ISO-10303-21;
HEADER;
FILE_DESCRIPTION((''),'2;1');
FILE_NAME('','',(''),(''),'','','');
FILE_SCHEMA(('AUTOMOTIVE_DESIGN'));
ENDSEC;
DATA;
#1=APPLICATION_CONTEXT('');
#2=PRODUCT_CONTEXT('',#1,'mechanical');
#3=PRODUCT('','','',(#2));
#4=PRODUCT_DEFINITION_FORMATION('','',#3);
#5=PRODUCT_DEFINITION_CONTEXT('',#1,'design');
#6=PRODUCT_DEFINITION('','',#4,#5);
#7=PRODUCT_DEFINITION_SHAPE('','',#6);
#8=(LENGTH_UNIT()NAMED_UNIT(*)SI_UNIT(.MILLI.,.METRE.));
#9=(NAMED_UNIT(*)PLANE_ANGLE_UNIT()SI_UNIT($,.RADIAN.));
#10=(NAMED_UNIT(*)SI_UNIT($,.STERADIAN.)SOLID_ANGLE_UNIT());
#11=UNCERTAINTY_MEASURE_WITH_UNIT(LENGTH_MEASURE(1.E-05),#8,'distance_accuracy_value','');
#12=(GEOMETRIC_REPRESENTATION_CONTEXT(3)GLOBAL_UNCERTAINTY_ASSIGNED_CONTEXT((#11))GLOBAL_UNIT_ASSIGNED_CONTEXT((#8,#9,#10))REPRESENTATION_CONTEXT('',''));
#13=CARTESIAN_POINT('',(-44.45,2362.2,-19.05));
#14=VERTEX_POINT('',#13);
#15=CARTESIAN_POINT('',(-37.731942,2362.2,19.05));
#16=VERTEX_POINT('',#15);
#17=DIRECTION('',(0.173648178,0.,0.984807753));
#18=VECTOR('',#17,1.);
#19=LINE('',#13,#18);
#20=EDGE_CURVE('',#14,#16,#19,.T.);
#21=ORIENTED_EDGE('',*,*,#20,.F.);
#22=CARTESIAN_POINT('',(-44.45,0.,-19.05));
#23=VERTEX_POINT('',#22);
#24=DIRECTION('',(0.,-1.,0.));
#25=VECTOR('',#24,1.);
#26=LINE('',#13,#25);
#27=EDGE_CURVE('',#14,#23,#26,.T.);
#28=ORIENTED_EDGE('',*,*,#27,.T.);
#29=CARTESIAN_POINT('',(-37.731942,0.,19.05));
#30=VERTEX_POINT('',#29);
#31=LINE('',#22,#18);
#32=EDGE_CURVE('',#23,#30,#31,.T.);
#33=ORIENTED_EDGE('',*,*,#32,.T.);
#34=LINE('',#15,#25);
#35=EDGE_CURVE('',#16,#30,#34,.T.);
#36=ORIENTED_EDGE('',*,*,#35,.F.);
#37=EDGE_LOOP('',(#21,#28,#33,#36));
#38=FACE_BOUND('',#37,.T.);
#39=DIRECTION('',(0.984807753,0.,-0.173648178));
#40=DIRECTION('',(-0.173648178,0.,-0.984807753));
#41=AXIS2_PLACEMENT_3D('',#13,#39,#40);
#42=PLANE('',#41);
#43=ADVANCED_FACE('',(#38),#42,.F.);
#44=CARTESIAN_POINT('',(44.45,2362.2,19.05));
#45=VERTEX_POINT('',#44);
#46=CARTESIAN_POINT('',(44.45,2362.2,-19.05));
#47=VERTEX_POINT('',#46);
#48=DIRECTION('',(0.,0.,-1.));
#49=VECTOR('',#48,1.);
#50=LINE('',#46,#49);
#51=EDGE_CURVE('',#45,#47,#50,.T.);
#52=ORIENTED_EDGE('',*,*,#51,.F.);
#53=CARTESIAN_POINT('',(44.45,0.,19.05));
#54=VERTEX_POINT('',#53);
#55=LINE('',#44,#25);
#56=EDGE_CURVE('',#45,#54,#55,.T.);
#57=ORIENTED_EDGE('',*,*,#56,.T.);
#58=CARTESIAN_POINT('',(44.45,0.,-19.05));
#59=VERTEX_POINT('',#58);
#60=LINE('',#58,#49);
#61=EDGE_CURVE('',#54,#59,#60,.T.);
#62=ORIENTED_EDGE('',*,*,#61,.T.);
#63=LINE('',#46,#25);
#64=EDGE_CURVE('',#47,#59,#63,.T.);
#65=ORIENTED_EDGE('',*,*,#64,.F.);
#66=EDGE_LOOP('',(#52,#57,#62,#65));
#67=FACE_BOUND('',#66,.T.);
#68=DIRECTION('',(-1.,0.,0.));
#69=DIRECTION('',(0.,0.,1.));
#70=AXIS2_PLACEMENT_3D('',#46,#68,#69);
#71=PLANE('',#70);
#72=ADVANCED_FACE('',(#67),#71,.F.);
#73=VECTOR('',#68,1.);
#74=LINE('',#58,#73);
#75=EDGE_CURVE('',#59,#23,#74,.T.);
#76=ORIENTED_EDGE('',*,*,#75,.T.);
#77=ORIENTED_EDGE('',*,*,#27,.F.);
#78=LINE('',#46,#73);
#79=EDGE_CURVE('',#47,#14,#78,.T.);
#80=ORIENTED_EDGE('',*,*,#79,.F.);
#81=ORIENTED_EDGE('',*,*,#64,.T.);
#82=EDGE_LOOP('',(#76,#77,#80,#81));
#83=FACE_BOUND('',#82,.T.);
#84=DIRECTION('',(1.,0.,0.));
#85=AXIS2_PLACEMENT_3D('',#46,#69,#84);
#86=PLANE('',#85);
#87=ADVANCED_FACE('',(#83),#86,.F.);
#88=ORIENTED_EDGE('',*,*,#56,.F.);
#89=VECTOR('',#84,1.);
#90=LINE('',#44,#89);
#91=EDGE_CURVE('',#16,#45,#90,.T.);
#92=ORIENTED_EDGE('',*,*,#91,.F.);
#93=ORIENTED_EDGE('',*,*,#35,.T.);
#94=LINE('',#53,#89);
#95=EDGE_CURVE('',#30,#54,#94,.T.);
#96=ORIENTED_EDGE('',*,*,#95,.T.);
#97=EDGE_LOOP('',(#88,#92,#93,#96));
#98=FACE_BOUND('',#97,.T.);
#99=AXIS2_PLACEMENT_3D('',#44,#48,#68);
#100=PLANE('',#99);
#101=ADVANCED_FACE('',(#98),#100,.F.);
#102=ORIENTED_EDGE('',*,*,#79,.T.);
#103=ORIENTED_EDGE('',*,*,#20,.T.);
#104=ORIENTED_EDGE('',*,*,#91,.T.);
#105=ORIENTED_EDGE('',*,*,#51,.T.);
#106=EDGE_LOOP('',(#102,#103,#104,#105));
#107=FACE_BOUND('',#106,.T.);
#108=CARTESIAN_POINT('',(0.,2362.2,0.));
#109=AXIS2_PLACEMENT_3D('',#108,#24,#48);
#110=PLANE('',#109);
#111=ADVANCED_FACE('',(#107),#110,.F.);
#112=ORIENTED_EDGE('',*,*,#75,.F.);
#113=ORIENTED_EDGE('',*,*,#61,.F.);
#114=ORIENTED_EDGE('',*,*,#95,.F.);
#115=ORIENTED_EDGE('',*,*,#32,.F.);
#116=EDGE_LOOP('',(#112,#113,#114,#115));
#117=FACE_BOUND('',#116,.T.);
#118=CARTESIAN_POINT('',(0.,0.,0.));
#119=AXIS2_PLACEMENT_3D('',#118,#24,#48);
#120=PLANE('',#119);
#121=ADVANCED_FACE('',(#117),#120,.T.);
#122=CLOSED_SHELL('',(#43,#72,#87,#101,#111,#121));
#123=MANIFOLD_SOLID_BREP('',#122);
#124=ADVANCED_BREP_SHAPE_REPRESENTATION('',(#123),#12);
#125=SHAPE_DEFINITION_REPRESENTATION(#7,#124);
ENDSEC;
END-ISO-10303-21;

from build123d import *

# Parameters (mm, degrees)
BOSS_EXTRUDE1_DEPTH = 2362.2


with BuildPart() as part:
    # Sketch1 → Boss-Extrude1 (new body)
    with BuildSketch(Plane(origin=(0, 0, 0), x_dir=(1, 0, 0), z_dir=(0, 1, 0))):
        Polygon((-44.45, 19.05), (-37.731942035, -19.05), (44.45, -19.05), (44.45, 19.05), align=None)
    extrude(amount=BOSS_EXTRUDE1_DEPTH)


solid = part.part
